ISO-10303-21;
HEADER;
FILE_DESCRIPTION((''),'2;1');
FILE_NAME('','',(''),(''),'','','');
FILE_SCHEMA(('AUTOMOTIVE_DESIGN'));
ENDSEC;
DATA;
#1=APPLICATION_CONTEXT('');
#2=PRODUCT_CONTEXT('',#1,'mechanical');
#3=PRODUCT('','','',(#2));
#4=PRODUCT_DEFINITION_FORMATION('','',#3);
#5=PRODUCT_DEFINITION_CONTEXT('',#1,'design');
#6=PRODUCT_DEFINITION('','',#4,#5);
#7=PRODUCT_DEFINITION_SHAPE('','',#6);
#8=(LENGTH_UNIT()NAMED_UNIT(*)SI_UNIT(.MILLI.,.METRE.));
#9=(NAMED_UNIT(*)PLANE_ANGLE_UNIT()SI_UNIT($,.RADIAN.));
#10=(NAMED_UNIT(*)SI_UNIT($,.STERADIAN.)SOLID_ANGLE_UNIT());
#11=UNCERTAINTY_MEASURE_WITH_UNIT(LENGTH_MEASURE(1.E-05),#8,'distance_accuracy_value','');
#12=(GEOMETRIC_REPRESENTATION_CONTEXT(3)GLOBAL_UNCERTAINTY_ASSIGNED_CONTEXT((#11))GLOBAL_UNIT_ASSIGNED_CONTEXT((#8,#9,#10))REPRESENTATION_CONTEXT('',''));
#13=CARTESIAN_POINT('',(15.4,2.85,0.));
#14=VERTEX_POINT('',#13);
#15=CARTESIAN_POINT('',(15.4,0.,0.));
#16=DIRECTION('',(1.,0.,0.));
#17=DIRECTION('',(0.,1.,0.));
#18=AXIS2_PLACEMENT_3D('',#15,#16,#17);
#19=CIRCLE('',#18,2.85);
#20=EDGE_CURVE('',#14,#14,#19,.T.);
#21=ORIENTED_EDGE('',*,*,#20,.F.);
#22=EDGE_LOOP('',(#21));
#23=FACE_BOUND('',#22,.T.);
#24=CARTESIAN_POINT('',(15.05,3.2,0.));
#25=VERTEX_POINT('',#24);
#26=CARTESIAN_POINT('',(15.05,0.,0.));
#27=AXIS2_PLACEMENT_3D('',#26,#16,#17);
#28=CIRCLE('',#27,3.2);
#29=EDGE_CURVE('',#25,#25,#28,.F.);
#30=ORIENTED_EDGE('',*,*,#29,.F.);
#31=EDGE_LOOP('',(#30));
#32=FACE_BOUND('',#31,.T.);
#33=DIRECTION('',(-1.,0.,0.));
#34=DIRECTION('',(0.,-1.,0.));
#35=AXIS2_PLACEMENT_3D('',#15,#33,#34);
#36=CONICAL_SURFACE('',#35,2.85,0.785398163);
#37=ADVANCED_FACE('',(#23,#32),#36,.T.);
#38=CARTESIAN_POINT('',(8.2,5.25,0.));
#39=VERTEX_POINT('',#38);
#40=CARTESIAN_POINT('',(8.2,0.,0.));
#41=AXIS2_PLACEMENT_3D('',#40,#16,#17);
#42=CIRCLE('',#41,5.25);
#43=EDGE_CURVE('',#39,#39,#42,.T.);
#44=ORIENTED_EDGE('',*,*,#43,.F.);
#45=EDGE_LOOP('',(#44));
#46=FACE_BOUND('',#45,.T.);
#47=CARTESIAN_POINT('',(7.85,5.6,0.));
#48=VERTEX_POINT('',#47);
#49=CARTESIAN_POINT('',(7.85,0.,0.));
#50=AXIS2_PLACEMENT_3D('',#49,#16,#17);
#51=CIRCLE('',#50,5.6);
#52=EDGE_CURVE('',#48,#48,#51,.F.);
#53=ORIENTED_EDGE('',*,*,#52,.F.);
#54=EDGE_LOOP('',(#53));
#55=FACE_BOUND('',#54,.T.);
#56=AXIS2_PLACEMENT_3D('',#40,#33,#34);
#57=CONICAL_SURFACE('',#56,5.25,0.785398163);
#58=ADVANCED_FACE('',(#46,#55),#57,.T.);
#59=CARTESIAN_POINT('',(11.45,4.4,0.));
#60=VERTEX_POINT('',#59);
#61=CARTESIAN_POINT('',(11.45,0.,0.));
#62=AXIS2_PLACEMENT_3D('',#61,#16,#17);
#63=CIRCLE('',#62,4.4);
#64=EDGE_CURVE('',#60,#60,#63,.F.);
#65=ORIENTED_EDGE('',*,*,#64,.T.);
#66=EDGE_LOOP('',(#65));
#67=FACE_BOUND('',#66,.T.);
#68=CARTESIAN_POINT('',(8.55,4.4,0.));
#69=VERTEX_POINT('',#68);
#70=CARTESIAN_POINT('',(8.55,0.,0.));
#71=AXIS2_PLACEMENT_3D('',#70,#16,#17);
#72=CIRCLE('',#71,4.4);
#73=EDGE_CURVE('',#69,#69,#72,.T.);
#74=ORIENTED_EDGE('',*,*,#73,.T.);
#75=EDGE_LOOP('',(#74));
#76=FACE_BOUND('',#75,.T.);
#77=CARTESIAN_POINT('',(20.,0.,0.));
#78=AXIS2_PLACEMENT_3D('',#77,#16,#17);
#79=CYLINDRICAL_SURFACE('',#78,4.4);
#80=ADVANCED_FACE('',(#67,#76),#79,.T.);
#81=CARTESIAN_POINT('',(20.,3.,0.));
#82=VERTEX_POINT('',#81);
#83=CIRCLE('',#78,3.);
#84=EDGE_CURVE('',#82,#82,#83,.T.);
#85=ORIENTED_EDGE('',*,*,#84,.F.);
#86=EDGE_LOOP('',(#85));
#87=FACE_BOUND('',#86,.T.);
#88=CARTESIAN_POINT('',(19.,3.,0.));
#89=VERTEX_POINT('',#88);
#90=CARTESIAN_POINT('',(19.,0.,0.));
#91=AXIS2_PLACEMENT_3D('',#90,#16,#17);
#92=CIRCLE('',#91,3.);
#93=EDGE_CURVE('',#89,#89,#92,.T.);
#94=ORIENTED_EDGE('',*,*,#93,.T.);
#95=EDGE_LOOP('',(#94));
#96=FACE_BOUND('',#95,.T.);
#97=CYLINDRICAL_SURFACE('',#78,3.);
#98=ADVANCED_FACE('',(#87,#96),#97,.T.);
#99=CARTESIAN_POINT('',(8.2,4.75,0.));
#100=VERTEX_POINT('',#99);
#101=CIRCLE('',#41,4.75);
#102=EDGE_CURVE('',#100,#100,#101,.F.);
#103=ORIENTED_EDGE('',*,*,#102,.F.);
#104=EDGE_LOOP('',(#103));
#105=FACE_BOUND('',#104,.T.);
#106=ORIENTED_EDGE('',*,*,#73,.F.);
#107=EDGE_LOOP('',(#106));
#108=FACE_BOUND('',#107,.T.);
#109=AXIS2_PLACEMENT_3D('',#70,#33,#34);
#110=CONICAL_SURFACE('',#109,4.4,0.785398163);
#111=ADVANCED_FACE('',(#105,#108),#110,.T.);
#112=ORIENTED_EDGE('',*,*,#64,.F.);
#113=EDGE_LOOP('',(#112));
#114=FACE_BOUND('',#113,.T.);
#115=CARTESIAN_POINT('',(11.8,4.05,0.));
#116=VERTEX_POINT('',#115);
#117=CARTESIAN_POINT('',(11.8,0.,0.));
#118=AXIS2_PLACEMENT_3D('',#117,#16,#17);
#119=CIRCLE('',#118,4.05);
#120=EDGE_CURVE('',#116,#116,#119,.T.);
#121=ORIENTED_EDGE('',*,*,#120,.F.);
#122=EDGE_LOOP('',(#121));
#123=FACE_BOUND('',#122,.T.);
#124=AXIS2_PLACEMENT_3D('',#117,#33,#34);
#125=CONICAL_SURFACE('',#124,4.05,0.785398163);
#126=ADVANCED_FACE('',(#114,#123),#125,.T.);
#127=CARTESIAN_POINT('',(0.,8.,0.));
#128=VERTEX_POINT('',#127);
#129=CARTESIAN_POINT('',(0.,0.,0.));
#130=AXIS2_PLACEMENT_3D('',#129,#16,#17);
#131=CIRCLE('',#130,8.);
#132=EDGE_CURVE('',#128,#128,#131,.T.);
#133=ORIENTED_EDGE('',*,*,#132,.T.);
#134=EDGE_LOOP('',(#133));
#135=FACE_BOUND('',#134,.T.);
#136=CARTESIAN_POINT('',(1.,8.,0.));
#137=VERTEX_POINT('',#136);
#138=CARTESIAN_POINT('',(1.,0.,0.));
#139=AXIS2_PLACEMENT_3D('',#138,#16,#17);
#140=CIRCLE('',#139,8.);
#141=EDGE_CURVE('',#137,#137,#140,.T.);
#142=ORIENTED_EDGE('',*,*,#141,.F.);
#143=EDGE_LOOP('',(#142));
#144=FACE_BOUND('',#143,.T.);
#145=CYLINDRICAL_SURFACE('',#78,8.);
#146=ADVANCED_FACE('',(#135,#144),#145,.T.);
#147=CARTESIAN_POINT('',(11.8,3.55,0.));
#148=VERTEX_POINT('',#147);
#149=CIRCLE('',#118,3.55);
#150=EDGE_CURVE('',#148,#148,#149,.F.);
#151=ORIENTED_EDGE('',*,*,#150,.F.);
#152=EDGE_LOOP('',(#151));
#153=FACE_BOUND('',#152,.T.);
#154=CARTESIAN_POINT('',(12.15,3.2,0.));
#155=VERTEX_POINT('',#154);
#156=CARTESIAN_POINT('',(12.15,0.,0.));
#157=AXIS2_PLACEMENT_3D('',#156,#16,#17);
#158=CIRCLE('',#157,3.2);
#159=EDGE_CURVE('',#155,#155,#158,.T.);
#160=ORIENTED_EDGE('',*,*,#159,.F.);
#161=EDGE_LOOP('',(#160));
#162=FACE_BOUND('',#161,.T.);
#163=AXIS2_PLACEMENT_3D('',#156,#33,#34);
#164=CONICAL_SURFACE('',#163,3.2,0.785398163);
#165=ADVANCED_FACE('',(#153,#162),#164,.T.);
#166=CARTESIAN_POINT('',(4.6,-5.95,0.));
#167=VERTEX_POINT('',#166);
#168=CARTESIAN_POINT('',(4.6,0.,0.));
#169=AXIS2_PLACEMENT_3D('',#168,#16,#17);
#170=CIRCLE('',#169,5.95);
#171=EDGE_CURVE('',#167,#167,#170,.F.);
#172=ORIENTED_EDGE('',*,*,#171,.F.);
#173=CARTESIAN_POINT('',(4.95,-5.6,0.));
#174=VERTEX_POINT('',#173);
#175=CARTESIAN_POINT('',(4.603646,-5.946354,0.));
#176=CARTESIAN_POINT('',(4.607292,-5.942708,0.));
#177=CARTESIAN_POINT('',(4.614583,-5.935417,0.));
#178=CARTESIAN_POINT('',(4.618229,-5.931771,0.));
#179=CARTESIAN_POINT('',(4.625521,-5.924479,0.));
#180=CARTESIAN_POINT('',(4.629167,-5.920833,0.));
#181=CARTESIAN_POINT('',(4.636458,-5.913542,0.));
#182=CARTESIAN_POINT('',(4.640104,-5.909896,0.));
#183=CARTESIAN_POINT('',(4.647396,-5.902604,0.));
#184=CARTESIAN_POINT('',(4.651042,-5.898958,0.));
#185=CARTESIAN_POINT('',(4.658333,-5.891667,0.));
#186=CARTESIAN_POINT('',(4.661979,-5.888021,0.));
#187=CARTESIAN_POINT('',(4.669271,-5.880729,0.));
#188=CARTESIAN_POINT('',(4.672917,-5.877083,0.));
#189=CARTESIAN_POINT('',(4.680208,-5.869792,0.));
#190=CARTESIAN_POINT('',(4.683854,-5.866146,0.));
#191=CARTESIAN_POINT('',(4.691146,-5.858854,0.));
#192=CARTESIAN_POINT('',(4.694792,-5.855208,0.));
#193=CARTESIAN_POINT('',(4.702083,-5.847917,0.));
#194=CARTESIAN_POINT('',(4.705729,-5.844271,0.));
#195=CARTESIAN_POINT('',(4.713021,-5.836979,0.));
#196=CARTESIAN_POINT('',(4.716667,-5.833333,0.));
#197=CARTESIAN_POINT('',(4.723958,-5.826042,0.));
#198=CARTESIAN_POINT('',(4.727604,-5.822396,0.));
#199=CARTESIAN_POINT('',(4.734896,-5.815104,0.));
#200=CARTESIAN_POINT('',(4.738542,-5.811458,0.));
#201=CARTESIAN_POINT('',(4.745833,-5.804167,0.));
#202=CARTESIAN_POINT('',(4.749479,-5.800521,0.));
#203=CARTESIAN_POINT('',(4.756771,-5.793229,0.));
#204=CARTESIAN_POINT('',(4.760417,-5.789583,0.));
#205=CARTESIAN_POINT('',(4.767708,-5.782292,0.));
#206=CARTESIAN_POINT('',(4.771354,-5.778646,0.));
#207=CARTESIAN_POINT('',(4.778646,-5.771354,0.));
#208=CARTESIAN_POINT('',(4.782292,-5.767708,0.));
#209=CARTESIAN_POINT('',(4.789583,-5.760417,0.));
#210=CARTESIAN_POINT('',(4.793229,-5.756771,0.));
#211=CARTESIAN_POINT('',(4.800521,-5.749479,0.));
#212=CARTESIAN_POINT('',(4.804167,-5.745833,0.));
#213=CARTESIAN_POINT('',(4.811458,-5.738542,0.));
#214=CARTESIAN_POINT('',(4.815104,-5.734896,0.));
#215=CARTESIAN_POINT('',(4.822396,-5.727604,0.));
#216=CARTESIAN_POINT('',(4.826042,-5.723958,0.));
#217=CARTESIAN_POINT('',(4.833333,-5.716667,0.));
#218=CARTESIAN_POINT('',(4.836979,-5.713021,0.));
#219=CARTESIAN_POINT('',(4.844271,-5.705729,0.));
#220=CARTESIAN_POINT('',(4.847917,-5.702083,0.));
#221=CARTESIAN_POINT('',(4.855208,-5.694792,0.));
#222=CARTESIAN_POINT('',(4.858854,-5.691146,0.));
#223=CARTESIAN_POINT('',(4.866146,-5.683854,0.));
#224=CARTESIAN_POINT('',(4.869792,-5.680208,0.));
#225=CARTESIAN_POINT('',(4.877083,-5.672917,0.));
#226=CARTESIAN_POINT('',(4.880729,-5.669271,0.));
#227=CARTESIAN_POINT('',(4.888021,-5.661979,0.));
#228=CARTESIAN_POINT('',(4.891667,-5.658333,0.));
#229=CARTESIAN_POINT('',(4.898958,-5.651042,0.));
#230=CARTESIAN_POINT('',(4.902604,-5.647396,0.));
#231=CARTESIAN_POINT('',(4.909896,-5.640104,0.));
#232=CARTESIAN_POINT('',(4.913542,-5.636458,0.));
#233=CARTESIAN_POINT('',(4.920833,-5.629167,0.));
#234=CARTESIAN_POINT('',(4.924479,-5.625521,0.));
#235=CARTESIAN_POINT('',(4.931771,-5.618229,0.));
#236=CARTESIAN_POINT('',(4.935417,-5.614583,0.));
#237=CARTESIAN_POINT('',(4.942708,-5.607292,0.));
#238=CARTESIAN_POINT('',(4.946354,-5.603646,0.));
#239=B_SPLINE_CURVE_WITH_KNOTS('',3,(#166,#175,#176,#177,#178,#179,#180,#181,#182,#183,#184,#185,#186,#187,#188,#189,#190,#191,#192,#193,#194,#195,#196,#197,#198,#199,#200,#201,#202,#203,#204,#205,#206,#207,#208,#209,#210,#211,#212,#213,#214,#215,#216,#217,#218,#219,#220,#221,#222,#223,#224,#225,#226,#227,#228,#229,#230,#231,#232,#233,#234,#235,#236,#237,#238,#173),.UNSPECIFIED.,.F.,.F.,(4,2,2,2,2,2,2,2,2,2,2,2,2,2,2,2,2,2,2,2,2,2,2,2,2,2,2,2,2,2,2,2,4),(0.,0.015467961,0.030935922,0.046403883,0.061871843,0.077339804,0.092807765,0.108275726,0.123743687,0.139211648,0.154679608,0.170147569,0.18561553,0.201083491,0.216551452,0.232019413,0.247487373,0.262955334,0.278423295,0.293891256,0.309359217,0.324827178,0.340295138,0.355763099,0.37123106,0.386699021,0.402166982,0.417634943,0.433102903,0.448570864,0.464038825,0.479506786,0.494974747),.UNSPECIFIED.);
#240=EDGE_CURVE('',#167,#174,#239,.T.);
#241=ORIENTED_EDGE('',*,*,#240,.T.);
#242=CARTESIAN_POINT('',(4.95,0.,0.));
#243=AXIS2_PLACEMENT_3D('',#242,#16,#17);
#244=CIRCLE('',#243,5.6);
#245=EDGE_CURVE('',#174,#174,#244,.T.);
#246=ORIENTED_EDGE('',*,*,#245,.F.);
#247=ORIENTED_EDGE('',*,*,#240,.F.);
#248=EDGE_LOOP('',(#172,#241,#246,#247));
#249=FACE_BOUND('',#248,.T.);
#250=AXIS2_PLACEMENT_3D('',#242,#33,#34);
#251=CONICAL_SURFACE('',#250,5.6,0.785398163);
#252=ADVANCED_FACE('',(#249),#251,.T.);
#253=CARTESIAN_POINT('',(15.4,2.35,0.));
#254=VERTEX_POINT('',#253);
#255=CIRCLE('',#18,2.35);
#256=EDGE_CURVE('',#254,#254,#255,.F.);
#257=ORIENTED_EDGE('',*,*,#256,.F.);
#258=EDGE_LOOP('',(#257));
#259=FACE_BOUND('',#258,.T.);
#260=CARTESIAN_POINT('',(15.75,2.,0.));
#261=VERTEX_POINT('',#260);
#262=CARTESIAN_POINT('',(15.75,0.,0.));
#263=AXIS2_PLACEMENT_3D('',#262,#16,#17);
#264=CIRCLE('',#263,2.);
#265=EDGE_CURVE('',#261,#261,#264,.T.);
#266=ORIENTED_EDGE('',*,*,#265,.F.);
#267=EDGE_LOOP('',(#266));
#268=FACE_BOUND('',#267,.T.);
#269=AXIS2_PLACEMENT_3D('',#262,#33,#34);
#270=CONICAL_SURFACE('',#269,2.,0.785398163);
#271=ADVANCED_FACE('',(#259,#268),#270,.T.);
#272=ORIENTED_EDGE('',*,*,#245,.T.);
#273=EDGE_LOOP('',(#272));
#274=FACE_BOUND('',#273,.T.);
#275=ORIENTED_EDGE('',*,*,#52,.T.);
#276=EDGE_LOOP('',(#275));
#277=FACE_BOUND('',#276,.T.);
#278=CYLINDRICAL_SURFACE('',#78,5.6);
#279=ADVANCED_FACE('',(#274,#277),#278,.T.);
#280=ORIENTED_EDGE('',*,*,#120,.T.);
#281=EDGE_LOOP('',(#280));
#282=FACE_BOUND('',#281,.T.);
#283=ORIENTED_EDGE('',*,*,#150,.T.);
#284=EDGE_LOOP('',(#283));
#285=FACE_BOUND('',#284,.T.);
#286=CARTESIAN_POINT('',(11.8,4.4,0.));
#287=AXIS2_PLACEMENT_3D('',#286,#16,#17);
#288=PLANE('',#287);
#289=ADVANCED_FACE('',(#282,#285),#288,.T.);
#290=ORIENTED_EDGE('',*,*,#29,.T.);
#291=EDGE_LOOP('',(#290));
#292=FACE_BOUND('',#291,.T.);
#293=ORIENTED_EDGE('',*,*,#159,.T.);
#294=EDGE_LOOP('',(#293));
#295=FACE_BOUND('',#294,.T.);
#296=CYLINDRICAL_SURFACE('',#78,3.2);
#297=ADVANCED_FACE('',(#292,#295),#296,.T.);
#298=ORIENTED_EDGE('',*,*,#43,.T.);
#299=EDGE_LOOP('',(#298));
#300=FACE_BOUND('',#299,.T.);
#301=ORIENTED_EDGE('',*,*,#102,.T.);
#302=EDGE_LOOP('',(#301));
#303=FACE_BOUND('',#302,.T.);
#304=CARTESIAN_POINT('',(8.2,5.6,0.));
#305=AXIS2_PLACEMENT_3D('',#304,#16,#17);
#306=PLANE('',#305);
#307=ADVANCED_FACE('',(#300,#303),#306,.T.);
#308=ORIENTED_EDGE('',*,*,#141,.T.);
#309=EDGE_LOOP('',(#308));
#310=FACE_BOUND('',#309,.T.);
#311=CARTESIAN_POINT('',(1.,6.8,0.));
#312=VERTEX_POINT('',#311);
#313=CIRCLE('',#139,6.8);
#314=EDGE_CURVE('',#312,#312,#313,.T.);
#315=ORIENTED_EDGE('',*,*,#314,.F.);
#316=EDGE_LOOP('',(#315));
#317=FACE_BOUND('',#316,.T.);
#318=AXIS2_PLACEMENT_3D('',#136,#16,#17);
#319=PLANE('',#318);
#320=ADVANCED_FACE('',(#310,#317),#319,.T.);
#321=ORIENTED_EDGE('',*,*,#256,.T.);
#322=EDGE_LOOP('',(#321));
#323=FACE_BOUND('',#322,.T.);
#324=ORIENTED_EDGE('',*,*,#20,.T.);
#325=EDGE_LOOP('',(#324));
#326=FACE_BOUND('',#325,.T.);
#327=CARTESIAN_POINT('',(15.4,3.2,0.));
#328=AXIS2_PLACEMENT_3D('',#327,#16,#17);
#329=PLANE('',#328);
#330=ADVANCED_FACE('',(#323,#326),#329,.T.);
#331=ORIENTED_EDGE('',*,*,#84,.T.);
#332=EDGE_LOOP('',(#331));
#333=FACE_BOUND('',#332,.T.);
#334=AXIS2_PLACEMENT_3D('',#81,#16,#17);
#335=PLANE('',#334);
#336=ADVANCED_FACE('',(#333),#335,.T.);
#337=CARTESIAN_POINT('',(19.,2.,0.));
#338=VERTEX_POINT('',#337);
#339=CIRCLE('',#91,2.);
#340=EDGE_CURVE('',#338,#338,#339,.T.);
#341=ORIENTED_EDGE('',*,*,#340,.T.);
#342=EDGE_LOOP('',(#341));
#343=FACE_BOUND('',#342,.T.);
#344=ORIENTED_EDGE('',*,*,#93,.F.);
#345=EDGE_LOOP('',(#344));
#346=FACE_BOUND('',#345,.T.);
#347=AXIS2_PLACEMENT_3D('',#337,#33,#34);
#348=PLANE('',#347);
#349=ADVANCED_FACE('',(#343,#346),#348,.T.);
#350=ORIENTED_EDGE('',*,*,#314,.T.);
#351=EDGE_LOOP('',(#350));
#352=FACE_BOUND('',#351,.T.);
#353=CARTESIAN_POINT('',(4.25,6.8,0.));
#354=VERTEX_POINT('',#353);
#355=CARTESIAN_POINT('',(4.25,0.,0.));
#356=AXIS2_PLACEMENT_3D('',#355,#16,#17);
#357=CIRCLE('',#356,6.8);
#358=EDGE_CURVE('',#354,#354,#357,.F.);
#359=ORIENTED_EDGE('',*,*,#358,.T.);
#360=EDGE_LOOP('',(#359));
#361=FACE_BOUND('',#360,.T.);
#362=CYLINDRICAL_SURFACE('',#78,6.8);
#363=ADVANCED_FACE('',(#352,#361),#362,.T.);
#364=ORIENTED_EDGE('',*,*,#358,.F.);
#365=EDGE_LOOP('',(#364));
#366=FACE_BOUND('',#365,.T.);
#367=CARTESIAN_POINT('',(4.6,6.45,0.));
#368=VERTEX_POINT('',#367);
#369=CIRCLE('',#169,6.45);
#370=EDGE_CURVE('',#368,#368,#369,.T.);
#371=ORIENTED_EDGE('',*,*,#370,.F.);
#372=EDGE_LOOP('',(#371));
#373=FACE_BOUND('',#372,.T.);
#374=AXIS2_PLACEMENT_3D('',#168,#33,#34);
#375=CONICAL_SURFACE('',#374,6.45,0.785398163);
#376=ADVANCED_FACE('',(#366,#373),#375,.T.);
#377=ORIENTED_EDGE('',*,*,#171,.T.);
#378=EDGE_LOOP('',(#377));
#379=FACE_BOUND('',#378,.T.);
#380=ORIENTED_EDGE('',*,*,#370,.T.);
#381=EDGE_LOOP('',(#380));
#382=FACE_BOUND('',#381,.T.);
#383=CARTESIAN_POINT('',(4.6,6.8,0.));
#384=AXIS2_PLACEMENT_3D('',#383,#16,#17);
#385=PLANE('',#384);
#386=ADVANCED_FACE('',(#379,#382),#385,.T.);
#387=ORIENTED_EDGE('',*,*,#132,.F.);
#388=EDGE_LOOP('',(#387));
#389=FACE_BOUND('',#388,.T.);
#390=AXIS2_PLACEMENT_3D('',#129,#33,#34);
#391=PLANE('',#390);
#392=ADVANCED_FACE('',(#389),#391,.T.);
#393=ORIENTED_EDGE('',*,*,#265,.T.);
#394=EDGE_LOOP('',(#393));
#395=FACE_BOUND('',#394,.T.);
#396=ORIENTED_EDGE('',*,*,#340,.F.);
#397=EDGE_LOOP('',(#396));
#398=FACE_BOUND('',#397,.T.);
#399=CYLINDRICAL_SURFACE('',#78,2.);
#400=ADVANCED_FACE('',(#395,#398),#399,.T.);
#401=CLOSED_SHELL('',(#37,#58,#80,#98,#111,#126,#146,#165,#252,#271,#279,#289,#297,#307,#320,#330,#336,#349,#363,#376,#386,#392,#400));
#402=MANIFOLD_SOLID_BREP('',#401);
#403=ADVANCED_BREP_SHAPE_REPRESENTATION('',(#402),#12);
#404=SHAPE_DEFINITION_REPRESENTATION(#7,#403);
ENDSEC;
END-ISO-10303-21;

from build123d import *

# Parameters (mm, degrees)
CHAMFER1_SIZE = 0.35


with BuildPart() as part:
    # Sketch1 → Revolve1 (revolve)
    with BuildSketch(Plane.XY):
        Polygon((0, 0), (0, 8), (1, 8), (1, 6.8), (4.6, 6.8), (4.6, 5.6), (8.2, 5.6), (8.2, 4.4), (11.8, 4.4), (11.8, 3.2), (15.4, 3.2), (15.4, 2), (19, 2), (19, 3), (20, 3), (20, 0), align=None)
    revolve(axis=Axis((20, 0, 0), (-1, 0, 0)))

    # Chamfer1
    chamfer1_edges = [part.edges().sort_by_distance(p)[0] for p in [
        (15.4, -2, 0),
        (15.4, -3.2, 0),
        (11.8, -3.2, 0),
        (11.8, -4.4, 0),
        (8.2, -4.4, 0),
        (8.2, -5.6, 0),
        (4.6, -5.6, 0),
        (4.6, -6.8, 0),
    ]]
    chamfer(chamfer1_edges, length=CHAMFER1_SIZE)


solid = part.part
